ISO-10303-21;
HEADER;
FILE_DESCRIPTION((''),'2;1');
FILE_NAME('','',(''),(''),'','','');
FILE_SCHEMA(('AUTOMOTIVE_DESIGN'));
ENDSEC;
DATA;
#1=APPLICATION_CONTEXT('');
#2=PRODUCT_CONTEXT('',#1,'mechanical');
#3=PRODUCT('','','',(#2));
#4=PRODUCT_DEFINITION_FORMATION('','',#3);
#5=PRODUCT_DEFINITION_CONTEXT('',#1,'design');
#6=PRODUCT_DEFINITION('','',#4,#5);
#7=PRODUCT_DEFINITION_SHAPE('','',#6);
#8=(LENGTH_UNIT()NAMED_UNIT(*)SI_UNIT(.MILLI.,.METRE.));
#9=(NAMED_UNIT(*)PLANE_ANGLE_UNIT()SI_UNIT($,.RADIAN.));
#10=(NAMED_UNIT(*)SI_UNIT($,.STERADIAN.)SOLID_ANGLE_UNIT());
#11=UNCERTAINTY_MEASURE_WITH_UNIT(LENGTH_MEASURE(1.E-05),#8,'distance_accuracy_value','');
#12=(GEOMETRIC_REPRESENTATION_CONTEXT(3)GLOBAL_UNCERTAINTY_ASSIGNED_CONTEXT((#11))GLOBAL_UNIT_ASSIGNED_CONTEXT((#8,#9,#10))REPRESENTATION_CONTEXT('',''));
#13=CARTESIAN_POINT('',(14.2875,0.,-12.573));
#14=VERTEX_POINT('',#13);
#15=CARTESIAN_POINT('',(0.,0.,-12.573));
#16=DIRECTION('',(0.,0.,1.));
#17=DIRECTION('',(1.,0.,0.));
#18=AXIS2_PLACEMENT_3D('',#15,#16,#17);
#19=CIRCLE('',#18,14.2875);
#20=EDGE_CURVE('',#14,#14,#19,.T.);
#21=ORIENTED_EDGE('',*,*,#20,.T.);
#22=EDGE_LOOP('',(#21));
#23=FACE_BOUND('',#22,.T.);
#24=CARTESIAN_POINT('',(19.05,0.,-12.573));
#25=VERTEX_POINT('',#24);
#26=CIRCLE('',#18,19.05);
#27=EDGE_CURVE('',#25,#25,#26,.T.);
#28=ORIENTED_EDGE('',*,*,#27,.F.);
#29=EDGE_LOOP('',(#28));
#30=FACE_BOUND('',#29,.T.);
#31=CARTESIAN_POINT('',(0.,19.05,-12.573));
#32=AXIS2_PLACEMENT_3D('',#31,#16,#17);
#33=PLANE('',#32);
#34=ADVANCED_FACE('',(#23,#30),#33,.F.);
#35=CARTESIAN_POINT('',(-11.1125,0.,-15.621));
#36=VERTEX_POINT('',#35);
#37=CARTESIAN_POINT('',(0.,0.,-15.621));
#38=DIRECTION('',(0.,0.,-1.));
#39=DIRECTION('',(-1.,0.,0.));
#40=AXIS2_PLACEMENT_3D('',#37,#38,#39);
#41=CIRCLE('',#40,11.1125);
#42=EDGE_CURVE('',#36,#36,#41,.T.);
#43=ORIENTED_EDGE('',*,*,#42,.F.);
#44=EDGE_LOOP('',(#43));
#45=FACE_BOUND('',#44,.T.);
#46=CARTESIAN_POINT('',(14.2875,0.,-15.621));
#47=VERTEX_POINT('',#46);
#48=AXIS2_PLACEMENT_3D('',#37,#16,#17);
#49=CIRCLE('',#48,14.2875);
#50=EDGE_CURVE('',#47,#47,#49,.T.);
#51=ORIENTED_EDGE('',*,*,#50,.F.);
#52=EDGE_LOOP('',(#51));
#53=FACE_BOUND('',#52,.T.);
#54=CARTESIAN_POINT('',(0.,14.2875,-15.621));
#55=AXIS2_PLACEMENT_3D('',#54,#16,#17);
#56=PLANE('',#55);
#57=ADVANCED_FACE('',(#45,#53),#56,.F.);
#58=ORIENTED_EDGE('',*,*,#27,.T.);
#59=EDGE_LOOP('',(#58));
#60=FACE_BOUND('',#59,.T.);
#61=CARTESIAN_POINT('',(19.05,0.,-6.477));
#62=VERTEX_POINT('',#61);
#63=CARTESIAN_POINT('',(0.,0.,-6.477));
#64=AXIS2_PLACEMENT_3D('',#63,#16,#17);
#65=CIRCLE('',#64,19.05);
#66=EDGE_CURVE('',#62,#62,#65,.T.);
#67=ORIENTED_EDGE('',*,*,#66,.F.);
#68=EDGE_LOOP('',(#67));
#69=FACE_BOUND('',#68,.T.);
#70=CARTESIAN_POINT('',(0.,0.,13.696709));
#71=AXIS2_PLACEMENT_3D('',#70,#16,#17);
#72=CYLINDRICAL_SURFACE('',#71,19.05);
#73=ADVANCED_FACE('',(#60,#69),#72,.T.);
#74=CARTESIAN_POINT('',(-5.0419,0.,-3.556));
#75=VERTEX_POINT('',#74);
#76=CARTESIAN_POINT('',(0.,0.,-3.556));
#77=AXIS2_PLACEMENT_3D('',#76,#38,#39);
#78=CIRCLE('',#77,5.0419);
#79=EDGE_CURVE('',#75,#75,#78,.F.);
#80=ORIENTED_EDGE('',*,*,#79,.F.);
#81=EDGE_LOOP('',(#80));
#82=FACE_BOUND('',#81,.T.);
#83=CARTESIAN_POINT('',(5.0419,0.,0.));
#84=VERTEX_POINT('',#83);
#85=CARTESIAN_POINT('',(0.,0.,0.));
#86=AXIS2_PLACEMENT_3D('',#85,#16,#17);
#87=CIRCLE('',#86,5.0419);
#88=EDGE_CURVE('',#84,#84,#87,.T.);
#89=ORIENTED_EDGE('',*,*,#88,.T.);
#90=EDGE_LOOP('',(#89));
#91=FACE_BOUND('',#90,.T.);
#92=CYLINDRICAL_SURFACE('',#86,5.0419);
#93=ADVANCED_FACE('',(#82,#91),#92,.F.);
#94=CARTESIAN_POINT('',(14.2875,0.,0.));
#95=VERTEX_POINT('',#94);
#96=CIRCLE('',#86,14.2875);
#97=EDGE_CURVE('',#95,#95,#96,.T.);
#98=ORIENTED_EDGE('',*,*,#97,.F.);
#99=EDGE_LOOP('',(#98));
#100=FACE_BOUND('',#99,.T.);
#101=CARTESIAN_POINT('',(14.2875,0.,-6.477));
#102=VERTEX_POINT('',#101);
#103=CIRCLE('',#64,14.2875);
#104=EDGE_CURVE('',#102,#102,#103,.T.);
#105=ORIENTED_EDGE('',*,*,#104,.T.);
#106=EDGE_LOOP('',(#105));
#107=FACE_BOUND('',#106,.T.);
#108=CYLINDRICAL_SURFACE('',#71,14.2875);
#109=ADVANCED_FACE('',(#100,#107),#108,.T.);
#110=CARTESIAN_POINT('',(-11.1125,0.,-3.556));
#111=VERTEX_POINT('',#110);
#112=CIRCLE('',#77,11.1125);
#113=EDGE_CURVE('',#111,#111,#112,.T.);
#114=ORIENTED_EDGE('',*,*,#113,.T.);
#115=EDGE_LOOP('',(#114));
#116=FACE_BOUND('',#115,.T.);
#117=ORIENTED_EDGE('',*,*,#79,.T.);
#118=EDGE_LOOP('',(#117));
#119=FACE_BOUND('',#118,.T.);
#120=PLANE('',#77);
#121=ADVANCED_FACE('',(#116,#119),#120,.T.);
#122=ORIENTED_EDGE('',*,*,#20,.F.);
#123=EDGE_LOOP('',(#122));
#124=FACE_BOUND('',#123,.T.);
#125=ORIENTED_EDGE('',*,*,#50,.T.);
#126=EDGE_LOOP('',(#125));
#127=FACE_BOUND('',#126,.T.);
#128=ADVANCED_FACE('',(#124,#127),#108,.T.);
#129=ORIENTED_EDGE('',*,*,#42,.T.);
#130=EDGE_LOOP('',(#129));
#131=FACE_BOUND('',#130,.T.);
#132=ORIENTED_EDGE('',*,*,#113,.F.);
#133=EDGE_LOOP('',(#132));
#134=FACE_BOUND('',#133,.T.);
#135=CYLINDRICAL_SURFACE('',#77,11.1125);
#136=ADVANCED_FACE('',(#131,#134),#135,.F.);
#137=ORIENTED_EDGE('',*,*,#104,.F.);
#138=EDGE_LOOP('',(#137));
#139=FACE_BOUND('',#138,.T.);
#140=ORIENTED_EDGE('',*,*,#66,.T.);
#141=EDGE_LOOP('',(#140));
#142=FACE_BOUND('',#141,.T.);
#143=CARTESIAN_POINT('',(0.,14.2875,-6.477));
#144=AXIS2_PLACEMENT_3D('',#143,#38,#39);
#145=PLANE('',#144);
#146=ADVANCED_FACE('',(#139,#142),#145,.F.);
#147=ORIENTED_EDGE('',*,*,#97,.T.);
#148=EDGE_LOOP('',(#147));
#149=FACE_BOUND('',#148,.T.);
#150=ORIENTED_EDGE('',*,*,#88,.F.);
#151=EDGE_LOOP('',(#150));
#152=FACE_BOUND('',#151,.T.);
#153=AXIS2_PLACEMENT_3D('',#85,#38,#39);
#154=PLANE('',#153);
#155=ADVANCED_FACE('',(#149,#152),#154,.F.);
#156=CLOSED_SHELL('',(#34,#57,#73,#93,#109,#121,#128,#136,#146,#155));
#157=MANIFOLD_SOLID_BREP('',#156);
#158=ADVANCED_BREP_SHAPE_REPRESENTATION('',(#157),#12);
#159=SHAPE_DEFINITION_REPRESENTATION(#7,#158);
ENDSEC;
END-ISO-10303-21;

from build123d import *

# Parameters (mm, degrees)
F_3_8_CLEARANCE_HOLE1_D     = 10.0838
F_3_8_CLEARANCE_HOLE1_DEPTH = 15.621
SKETCH7_R                   = 11.1125
CUT_EXTRUDE2_DEPTH          = 12.065


with BuildPart() as part:
    # Sketch1 → Revolve1 (revolve)
    with BuildSketch(Plane(origin=(0, 0, 0), x_dir=(0, 0, -1), z_dir=(1, 0, 0))):
        Polygon((0, 0), (0, 14.2875), (6.477, 14.2875), (6.477, 19.05), (12.573, 19.05), (12.573, 14.2875), (15.621, 14.2875), (15.621, 0), align=None)
    revolve(axis=Axis((0, 0, 13.696708861), (0, 0, -1)))

    # 3/8 Clearance Hole1
    with Locations(Plane.XY):
        with Locations((0, 0)):
            Hole(F_3_8_CLEARANCE_HOLE1_D / 2, depth=F_3_8_CLEARANCE_HOLE1_DEPTH)

    # Sketch7 → Cut-Extrude2 (cut)
    with BuildSketch(Plane(origin=(0, 0, -15.621), x_dir=(-1, 0, 0), z_dir=(0, 0, -1))):
        Circle(SKETCH7_R)
    extrude(amount=-CUT_EXTRUDE2_DEPTH, mode=Mode.SUBTRACT)


solid = part.part
